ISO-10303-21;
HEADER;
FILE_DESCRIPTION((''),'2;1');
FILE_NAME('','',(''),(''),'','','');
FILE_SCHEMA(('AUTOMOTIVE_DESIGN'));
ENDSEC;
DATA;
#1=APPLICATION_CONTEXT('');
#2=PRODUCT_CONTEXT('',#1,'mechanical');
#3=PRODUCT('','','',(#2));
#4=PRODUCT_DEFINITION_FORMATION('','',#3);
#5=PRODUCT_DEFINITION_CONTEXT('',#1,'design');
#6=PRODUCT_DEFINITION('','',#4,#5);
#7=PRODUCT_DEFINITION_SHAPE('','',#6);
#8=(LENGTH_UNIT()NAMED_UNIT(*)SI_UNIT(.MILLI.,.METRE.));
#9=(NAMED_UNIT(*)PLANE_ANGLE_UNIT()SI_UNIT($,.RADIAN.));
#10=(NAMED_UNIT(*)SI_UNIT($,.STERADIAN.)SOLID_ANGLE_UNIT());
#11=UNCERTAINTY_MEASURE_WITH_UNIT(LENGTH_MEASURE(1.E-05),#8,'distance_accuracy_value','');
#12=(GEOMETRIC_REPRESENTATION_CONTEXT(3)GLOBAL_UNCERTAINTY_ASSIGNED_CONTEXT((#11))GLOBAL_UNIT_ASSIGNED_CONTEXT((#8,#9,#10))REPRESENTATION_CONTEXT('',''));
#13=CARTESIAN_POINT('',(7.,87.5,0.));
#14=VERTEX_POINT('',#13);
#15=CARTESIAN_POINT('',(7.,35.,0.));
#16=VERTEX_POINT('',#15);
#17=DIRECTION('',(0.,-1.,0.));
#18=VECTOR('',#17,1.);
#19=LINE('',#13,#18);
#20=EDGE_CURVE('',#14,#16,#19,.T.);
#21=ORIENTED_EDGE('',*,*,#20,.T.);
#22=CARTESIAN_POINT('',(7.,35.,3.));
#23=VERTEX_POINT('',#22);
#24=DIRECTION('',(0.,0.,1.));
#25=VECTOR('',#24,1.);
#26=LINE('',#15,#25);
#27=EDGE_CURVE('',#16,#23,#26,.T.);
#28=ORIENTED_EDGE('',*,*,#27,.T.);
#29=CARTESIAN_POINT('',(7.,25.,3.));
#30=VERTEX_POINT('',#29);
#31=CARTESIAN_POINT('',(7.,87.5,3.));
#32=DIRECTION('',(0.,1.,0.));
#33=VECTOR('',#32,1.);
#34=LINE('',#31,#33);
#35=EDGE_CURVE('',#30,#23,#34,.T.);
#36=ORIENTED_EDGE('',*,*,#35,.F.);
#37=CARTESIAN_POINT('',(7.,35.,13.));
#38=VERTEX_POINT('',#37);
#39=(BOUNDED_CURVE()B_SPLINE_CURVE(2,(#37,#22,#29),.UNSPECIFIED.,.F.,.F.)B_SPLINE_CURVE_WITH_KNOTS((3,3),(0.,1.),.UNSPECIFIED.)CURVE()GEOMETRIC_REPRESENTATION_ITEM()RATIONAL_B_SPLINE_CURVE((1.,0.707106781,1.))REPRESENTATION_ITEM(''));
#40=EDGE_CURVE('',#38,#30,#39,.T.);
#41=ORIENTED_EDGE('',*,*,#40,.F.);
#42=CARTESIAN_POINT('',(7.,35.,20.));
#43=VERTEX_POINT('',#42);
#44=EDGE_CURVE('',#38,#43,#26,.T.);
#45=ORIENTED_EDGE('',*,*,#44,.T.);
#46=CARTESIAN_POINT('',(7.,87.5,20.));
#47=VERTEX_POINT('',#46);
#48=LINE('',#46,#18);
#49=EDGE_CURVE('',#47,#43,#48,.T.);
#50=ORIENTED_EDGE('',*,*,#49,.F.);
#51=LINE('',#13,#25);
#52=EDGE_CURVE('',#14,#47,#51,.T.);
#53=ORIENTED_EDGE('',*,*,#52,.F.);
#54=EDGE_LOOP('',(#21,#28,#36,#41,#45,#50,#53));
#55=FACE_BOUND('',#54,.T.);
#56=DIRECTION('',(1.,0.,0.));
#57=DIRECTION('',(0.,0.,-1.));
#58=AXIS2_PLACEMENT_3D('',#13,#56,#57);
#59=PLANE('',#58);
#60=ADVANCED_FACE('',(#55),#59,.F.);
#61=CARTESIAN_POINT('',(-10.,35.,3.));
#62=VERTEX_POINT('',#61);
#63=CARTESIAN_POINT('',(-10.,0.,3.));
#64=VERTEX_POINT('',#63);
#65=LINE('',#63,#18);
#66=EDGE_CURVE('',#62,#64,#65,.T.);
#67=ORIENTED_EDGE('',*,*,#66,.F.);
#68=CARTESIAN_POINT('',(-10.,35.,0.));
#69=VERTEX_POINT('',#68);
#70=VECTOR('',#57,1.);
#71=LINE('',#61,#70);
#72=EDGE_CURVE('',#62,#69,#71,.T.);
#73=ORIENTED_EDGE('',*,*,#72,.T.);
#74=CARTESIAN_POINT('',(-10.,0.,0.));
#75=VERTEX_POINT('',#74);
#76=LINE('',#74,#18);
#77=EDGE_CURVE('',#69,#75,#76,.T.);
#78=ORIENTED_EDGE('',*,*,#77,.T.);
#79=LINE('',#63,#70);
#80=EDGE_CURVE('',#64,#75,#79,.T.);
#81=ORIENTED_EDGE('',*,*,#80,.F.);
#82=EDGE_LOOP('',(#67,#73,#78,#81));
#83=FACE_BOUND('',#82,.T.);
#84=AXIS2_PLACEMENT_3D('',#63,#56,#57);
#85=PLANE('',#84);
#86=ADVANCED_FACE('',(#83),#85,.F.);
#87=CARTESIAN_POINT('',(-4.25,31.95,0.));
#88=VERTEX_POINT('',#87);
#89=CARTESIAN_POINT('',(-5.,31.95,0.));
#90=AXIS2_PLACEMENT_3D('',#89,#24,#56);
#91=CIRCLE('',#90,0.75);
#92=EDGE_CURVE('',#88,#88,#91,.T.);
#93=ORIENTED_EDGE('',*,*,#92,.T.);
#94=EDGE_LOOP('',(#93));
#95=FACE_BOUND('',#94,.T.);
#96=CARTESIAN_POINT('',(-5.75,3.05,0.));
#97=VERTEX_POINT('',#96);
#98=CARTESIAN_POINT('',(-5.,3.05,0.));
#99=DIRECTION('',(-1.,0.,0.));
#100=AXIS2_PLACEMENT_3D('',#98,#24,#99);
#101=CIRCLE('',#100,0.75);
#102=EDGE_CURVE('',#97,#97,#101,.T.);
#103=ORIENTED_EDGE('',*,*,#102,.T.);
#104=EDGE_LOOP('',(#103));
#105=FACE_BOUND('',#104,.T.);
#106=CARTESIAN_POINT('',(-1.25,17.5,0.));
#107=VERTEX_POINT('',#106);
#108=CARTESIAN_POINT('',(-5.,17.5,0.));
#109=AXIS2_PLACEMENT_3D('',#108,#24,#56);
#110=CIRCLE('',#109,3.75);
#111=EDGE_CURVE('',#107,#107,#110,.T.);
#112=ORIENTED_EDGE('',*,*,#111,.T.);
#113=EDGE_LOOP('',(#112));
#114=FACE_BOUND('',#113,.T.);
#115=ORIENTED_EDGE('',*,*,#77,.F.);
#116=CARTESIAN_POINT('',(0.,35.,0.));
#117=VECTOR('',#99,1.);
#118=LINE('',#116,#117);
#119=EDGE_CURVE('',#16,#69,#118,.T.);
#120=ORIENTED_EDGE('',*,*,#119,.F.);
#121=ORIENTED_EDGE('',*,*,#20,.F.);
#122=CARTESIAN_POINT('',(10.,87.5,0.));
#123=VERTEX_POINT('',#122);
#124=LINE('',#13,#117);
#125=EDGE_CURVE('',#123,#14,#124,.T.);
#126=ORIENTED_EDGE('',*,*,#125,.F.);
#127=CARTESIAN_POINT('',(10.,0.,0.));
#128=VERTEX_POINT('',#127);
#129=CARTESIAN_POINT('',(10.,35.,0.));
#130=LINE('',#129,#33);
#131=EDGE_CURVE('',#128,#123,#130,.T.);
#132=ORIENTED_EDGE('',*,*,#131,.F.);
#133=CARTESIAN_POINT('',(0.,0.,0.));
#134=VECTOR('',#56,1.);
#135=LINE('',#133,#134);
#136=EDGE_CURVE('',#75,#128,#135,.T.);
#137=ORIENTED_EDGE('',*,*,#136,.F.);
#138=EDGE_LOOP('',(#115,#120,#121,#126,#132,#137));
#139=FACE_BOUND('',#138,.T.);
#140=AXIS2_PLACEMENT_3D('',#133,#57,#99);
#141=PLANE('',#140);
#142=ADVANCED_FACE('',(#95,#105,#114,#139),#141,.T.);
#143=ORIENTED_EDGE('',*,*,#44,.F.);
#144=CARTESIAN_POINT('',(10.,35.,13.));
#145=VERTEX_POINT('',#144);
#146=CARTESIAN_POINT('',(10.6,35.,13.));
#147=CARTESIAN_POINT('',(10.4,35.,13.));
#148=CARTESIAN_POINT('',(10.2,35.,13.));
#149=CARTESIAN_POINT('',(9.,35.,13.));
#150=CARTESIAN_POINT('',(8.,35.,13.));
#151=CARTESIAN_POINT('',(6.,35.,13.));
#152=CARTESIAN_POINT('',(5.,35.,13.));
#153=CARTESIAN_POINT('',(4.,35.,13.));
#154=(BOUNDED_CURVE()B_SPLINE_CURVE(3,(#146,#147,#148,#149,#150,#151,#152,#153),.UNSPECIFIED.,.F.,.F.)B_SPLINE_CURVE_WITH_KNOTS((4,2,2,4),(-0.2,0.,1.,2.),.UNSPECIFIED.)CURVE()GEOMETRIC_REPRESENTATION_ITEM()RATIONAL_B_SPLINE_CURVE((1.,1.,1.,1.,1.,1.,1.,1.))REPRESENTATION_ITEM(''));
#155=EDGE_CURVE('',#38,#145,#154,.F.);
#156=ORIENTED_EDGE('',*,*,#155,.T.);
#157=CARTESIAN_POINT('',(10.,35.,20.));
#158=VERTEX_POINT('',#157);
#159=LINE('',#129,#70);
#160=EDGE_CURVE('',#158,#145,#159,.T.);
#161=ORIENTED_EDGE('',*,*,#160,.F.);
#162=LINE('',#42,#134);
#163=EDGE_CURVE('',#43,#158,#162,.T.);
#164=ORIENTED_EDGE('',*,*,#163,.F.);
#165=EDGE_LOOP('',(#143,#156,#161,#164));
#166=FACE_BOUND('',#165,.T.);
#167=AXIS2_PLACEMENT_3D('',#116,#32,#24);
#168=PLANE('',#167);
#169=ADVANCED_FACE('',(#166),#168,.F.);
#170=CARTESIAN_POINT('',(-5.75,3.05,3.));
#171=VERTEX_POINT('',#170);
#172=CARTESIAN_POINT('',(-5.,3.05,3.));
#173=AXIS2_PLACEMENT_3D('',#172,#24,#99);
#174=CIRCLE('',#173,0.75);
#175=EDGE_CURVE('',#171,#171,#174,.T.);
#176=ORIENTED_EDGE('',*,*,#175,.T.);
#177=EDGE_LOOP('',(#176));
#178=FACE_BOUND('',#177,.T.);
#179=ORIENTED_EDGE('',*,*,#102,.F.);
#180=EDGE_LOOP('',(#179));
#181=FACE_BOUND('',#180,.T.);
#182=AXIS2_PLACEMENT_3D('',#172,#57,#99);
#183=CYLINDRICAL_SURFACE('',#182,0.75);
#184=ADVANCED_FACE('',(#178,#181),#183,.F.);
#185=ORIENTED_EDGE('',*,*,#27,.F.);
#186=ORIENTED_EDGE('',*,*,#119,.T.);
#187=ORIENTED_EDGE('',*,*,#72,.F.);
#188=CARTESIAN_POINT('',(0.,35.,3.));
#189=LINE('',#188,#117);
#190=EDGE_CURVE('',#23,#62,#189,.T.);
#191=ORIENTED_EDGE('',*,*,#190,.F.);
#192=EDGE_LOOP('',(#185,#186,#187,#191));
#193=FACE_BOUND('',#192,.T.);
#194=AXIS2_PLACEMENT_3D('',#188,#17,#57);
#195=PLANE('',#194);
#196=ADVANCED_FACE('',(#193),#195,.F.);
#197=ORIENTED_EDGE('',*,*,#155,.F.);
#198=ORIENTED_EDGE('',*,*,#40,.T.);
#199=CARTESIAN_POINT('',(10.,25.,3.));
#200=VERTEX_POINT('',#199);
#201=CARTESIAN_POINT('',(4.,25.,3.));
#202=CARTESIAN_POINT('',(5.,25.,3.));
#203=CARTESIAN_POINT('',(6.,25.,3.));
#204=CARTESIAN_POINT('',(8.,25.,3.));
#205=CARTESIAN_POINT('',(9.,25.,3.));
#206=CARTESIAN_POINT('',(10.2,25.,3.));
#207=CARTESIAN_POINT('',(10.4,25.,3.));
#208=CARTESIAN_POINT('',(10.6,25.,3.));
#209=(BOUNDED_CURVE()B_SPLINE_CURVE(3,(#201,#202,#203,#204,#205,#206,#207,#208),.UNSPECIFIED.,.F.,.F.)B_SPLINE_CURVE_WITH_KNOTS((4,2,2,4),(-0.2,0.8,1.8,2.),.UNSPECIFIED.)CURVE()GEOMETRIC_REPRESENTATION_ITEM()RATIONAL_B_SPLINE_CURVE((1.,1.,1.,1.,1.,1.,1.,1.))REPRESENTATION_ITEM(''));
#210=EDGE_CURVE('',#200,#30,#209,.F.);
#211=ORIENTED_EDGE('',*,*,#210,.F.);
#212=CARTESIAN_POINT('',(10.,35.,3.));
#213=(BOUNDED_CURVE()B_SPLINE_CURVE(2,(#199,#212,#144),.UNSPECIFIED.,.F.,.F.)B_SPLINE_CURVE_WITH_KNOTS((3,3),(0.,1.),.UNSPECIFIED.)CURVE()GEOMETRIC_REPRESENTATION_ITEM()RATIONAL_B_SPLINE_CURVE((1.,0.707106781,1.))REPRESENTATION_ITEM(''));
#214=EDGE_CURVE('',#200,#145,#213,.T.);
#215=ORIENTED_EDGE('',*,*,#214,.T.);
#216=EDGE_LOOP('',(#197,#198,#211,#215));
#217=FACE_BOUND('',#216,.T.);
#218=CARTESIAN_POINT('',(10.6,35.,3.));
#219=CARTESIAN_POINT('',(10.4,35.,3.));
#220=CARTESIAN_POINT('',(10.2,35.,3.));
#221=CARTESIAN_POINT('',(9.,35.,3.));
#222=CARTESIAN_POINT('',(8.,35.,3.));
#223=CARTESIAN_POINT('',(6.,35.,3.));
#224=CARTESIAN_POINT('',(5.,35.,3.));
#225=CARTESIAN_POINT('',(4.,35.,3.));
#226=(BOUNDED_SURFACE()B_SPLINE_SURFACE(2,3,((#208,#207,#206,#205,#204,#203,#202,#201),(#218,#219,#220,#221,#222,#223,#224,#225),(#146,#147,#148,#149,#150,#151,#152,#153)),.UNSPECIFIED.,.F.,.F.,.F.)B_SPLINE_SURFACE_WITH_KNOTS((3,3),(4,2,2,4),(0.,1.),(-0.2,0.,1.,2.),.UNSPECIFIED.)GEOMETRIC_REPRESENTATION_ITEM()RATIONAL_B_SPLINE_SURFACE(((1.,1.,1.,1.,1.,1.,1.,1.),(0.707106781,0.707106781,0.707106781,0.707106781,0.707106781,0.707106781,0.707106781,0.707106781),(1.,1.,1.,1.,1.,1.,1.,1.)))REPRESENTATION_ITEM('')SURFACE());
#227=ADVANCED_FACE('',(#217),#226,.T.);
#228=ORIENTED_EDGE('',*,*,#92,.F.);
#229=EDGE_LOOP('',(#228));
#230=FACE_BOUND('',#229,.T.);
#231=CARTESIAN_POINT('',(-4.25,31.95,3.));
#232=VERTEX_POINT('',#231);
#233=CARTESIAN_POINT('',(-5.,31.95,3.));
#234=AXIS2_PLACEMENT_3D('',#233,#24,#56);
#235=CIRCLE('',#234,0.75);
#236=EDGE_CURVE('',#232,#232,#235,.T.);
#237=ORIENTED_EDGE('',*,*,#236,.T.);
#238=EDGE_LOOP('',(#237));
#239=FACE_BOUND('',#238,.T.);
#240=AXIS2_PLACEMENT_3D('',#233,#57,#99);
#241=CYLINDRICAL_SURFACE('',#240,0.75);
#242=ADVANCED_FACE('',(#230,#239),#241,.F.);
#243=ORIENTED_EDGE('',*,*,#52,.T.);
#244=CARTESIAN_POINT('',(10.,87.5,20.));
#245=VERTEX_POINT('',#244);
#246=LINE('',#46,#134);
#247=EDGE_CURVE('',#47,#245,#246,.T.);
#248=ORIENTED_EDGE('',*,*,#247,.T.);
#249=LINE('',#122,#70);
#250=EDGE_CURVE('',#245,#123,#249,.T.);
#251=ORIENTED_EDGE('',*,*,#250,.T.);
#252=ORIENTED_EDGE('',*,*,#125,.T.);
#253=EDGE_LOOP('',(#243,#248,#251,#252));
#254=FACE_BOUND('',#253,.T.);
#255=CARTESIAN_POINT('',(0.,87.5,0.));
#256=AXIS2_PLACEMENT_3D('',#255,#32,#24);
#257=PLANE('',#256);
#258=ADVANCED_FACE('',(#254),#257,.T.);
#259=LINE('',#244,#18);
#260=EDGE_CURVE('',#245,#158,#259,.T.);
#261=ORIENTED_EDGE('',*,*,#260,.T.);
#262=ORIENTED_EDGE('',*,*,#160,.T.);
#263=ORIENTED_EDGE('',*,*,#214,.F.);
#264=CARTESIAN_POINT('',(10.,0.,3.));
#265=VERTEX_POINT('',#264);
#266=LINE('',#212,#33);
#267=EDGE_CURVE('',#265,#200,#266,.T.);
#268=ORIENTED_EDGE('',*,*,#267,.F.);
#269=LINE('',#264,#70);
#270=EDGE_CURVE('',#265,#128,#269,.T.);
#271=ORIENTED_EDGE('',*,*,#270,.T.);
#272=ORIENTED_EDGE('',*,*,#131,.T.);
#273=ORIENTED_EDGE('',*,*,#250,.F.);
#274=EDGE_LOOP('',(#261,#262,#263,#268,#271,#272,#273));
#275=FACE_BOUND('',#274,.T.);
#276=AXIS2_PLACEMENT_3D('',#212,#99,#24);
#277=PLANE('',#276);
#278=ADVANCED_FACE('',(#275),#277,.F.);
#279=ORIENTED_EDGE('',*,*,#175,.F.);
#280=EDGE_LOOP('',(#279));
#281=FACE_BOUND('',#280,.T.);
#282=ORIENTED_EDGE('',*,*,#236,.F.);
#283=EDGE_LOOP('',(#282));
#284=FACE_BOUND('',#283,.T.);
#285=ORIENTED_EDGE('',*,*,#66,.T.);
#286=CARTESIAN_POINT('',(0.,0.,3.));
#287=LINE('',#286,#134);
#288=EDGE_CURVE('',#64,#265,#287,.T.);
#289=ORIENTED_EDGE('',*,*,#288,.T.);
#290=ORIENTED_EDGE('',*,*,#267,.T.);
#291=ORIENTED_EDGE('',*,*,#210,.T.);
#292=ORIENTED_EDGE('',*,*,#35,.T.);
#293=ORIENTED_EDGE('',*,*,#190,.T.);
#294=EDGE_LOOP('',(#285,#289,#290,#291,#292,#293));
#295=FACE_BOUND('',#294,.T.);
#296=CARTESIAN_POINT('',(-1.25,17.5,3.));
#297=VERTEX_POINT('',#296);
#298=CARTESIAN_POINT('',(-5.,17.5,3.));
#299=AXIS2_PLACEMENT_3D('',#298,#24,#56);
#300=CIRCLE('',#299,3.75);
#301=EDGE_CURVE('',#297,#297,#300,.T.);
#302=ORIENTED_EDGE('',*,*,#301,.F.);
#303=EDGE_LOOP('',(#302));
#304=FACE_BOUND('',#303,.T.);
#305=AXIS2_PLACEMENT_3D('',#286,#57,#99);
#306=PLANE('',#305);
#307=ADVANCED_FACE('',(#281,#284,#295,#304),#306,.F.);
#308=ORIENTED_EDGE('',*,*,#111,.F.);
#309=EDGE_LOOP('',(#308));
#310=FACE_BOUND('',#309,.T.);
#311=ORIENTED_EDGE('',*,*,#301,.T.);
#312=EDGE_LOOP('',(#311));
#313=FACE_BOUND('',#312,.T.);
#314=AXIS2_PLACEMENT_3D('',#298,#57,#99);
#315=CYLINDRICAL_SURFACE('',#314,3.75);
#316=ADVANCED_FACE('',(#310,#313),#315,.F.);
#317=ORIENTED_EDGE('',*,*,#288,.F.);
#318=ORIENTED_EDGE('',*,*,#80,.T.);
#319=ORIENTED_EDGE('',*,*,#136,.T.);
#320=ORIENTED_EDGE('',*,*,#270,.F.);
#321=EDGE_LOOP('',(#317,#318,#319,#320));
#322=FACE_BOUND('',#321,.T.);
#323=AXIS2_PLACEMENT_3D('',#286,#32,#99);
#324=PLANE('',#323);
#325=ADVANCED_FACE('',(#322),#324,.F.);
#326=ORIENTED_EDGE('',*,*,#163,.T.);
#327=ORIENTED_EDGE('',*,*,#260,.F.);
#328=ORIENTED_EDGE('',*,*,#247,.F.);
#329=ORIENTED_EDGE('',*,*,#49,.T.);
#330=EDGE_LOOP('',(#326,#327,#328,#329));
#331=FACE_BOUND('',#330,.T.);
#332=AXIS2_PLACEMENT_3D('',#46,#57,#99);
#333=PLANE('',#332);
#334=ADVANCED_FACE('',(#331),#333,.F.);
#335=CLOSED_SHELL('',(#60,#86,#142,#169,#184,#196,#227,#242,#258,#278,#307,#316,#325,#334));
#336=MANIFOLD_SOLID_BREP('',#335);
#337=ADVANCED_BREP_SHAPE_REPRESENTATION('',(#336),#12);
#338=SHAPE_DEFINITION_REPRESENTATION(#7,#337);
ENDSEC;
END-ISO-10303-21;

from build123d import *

# Parameters (mm, degrees)
SKETCH1_R           = 0.75
SKETCH1_R_2         = 3.75
BOSS_EXTRUDE1_DEPTH = 3
SKETCH2_W           = 3
SKETCH2_H           = 20
BOSS_EXTRUDE2_DEPTH = 52.5
FILLET5_R           = 10


with BuildPart() as part:
    # Sketch1 → Boss-Extrude1 (new body)
    with BuildSketch(Plane.XY):
        Polygon((0, 0), (-10, 0), (-10, 35), (0, 35), (10, 35), (10, 0), align=None)
        with Locations((-5, 31.95)):
            Circle(SKETCH1_R, mode=Mode.SUBTRACT)
        with Locations((-5, 3.05)):
            Circle(SKETCH1_R, mode=Mode.SUBTRACT)
        with Locations((-5, 17.5)):
            Circle(SKETCH1_R_2, mode=Mode.SUBTRACT)
    extrude(amount=BOSS_EXTRUDE1_DEPTH)

    # Sketch2 → Boss-Extrude2 (add)
    with BuildSketch(Plane(origin=(0, 35, 0), x_dir=(1, 0, 0), z_dir=(0, 1, 0))):
        with Locations((8.5, -10)):
            Rectangle(SKETCH2_W, SKETCH2_H)
    extrude(amount=BOSS_EXTRUDE2_DEPTH)

    # Fillet5
    fillet5_edges = [part.edges().sort_by_distance(p)[0] for p in [
        (8.5, 35, 3),
    ]]
    fillet(fillet5_edges, radius=FILLET5_R)


solid = part.part
